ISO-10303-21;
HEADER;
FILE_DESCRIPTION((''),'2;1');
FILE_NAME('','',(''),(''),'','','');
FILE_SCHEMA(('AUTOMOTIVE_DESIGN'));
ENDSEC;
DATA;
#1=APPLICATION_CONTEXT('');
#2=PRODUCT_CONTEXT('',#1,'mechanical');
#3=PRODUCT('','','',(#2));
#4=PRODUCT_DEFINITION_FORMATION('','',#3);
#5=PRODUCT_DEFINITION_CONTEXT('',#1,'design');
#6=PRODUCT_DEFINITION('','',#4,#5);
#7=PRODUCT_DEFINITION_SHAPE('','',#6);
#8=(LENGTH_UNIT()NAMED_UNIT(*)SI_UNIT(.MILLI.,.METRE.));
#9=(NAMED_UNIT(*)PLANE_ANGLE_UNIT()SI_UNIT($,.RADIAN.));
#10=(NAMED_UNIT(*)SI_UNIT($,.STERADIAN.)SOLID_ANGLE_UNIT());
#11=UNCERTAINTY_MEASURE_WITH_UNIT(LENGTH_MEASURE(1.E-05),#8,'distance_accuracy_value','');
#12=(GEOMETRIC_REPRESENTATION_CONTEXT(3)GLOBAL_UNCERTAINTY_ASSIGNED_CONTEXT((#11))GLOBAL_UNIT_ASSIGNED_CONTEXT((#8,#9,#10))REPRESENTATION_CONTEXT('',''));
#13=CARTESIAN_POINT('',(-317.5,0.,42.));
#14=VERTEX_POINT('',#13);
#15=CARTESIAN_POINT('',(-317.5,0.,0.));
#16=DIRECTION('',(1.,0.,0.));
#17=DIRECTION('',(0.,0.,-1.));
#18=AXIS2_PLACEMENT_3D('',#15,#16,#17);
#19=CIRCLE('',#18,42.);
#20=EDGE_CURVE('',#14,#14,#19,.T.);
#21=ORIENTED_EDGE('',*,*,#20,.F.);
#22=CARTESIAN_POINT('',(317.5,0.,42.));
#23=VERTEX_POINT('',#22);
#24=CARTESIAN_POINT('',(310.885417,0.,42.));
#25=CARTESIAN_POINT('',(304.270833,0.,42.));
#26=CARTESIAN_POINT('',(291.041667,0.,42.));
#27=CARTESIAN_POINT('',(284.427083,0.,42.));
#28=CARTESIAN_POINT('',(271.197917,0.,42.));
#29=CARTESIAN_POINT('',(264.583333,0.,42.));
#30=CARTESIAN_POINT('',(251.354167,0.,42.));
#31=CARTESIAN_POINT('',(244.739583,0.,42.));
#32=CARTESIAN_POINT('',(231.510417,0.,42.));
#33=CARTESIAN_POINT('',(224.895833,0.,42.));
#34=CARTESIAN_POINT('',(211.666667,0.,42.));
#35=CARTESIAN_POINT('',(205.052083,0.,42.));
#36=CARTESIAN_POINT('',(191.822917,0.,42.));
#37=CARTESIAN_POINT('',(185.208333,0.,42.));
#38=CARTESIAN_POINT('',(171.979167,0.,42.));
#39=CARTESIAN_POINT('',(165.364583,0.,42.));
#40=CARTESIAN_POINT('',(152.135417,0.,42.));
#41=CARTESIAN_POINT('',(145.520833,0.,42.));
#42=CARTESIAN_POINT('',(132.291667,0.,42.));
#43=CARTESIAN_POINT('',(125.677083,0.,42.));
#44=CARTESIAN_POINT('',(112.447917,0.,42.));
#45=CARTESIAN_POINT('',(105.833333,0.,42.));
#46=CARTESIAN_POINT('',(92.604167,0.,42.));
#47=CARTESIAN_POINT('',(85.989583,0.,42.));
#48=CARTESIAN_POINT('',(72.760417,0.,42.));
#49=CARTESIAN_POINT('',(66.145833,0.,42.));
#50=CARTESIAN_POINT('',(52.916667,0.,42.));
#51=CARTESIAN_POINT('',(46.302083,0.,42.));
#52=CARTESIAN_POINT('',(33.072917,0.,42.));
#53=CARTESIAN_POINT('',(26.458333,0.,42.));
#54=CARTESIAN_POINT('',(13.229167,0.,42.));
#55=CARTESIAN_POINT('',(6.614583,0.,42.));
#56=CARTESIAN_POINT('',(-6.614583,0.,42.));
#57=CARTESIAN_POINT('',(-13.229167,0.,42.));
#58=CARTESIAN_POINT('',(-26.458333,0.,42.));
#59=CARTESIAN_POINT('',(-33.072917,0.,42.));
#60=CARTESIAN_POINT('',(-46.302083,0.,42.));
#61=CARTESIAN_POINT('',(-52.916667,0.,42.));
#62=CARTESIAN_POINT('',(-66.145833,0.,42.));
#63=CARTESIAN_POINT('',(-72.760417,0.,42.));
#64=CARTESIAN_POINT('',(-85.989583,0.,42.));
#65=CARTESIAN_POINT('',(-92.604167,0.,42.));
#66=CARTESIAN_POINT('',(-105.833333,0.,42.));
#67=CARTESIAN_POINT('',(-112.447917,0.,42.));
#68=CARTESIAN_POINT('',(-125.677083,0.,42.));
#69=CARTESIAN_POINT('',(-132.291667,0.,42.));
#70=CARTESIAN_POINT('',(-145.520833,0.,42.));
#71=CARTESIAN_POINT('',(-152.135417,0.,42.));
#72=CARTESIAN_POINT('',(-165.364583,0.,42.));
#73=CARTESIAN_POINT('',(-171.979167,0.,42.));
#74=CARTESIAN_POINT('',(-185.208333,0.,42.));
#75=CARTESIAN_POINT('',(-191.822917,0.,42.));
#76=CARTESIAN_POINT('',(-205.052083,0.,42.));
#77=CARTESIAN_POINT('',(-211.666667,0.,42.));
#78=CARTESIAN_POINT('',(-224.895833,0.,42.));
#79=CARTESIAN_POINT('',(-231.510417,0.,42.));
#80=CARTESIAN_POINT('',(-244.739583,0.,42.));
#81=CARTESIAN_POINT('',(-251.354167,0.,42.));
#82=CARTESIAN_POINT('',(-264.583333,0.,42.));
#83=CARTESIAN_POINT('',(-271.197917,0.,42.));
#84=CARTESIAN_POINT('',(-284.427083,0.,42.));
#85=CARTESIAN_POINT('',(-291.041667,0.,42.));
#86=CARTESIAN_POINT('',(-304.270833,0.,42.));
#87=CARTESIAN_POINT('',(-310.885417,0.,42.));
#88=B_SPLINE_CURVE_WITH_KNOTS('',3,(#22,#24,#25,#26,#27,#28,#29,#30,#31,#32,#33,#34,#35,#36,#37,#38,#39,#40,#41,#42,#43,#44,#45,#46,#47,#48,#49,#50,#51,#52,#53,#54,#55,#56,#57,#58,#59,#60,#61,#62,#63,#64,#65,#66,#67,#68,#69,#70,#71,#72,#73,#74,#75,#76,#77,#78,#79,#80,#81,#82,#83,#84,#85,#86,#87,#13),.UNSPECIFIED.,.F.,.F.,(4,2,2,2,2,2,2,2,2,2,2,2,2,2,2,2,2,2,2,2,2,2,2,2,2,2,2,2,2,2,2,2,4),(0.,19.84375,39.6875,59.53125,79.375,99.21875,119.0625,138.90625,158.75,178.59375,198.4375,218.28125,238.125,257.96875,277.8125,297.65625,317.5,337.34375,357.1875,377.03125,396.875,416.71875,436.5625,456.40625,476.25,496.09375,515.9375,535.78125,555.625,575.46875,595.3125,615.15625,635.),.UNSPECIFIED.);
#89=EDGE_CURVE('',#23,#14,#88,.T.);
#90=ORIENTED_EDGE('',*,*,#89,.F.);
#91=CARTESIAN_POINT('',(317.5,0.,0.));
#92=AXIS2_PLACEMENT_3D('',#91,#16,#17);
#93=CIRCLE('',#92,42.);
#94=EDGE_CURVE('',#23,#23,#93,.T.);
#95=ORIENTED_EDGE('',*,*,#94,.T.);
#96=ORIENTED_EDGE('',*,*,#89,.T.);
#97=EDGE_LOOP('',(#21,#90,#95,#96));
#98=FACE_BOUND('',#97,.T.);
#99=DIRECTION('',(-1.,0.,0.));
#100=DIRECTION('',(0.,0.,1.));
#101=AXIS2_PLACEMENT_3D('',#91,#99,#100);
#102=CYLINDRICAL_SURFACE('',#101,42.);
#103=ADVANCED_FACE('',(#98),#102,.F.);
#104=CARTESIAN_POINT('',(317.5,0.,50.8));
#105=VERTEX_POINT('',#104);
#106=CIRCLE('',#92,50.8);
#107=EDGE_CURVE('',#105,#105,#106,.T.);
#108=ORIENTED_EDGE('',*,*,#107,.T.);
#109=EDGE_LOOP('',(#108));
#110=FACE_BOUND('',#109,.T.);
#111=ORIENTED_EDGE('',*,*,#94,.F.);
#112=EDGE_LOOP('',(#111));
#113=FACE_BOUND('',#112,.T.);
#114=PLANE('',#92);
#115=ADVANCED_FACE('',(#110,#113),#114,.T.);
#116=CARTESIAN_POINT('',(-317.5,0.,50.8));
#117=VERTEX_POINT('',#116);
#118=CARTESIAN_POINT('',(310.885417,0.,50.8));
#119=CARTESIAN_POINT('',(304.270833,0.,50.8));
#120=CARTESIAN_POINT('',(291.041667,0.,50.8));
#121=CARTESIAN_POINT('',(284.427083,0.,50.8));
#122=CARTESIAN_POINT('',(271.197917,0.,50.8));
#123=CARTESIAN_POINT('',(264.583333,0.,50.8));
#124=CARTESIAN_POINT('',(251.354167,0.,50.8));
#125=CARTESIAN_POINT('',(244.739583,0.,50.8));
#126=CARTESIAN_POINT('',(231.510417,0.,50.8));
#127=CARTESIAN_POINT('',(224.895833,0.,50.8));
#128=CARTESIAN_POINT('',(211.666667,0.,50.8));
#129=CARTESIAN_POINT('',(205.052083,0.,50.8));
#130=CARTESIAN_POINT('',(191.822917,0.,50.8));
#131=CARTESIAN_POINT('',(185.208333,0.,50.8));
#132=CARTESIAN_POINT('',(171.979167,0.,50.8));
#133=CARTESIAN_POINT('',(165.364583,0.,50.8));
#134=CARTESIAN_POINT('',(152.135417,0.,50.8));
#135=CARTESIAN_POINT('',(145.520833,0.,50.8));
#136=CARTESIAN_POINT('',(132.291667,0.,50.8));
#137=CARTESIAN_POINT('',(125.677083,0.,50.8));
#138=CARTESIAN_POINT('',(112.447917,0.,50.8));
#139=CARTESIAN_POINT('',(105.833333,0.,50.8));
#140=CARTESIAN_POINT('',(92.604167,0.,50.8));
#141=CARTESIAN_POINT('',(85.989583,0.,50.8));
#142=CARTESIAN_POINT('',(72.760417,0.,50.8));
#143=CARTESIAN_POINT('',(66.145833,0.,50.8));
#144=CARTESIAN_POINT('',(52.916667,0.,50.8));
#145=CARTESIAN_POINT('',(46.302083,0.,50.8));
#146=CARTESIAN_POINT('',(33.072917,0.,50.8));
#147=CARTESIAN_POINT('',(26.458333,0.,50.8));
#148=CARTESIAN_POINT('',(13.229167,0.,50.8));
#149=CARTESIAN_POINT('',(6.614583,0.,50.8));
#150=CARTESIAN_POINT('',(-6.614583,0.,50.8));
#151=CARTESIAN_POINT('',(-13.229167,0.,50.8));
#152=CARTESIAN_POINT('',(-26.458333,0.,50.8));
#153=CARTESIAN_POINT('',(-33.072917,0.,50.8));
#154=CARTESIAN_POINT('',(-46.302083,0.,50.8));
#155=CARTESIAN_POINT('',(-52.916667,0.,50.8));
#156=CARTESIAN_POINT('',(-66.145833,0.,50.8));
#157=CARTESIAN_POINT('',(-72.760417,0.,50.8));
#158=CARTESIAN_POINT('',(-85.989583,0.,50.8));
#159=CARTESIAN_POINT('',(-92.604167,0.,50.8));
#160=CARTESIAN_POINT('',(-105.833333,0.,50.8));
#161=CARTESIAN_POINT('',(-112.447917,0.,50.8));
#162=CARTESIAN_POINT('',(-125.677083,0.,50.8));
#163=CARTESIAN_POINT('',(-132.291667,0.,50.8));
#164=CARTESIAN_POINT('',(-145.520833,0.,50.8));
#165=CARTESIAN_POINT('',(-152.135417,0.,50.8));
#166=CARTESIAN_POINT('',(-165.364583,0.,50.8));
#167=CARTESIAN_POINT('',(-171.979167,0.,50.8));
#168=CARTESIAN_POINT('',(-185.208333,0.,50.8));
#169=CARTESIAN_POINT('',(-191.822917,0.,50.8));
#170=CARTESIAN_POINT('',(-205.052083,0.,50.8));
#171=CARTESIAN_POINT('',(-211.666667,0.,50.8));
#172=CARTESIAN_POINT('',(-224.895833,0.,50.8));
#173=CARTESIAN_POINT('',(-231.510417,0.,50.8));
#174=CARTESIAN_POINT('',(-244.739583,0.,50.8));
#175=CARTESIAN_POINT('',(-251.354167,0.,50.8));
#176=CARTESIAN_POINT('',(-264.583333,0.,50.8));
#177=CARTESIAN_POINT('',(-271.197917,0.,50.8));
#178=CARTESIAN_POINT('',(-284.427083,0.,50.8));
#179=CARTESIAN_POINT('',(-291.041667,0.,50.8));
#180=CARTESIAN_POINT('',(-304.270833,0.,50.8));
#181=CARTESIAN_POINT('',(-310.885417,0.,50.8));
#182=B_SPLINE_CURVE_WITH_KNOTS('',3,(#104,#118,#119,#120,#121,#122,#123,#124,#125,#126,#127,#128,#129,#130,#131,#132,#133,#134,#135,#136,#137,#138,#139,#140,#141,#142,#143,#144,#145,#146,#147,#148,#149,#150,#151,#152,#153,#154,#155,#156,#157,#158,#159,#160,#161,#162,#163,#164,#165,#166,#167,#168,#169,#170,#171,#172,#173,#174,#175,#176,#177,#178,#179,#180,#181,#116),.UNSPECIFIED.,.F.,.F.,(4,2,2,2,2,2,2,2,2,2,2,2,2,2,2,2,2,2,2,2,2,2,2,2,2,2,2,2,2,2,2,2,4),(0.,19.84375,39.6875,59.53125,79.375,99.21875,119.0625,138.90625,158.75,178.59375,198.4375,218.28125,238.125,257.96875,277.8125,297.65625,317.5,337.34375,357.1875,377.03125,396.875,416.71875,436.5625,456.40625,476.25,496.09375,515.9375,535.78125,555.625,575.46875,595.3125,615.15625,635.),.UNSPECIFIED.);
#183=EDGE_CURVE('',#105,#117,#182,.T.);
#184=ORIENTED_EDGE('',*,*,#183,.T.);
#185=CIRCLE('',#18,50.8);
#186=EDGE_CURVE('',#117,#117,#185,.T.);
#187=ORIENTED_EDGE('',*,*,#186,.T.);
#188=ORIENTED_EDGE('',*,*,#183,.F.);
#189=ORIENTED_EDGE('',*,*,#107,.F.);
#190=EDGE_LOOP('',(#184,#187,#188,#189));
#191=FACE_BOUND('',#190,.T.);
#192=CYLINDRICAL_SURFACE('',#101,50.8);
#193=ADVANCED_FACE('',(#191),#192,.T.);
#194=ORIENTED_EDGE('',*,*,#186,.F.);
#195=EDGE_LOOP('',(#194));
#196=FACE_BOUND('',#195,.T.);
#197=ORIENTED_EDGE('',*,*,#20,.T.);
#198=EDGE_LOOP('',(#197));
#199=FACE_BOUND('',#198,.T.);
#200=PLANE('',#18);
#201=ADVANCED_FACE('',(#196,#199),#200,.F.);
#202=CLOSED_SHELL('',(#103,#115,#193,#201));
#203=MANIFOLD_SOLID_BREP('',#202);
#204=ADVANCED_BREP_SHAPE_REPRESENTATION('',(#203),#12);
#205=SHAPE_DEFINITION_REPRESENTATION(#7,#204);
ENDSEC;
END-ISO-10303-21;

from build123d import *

# Parameters (mm, degrees)
SKETCH_1_R      = 50.8
SKETCH_1_R_2    = 42
EXTRUDE_1_DEPTH = 317.5


with BuildPart() as part:
    # 草图1 → 凸台-拉伸1 (new, symmetric)
    with BuildSketch(Plane(origin=(0, 0, 0), x_dir=(0, 0, -1), z_dir=(1, 0, 0))):
        with Locations(Location((0, 0, 0), (0, 0, 180))):
            Circle(SKETCH_1_R)
        with Locations(Location((0, 0, 0), (0, 0, 180))):
            Circle(SKETCH_1_R_2, mode=Mode.SUBTRACT)
    extrude(amount=EXTRUDE_1_DEPTH, both=True)


solid = part.part
